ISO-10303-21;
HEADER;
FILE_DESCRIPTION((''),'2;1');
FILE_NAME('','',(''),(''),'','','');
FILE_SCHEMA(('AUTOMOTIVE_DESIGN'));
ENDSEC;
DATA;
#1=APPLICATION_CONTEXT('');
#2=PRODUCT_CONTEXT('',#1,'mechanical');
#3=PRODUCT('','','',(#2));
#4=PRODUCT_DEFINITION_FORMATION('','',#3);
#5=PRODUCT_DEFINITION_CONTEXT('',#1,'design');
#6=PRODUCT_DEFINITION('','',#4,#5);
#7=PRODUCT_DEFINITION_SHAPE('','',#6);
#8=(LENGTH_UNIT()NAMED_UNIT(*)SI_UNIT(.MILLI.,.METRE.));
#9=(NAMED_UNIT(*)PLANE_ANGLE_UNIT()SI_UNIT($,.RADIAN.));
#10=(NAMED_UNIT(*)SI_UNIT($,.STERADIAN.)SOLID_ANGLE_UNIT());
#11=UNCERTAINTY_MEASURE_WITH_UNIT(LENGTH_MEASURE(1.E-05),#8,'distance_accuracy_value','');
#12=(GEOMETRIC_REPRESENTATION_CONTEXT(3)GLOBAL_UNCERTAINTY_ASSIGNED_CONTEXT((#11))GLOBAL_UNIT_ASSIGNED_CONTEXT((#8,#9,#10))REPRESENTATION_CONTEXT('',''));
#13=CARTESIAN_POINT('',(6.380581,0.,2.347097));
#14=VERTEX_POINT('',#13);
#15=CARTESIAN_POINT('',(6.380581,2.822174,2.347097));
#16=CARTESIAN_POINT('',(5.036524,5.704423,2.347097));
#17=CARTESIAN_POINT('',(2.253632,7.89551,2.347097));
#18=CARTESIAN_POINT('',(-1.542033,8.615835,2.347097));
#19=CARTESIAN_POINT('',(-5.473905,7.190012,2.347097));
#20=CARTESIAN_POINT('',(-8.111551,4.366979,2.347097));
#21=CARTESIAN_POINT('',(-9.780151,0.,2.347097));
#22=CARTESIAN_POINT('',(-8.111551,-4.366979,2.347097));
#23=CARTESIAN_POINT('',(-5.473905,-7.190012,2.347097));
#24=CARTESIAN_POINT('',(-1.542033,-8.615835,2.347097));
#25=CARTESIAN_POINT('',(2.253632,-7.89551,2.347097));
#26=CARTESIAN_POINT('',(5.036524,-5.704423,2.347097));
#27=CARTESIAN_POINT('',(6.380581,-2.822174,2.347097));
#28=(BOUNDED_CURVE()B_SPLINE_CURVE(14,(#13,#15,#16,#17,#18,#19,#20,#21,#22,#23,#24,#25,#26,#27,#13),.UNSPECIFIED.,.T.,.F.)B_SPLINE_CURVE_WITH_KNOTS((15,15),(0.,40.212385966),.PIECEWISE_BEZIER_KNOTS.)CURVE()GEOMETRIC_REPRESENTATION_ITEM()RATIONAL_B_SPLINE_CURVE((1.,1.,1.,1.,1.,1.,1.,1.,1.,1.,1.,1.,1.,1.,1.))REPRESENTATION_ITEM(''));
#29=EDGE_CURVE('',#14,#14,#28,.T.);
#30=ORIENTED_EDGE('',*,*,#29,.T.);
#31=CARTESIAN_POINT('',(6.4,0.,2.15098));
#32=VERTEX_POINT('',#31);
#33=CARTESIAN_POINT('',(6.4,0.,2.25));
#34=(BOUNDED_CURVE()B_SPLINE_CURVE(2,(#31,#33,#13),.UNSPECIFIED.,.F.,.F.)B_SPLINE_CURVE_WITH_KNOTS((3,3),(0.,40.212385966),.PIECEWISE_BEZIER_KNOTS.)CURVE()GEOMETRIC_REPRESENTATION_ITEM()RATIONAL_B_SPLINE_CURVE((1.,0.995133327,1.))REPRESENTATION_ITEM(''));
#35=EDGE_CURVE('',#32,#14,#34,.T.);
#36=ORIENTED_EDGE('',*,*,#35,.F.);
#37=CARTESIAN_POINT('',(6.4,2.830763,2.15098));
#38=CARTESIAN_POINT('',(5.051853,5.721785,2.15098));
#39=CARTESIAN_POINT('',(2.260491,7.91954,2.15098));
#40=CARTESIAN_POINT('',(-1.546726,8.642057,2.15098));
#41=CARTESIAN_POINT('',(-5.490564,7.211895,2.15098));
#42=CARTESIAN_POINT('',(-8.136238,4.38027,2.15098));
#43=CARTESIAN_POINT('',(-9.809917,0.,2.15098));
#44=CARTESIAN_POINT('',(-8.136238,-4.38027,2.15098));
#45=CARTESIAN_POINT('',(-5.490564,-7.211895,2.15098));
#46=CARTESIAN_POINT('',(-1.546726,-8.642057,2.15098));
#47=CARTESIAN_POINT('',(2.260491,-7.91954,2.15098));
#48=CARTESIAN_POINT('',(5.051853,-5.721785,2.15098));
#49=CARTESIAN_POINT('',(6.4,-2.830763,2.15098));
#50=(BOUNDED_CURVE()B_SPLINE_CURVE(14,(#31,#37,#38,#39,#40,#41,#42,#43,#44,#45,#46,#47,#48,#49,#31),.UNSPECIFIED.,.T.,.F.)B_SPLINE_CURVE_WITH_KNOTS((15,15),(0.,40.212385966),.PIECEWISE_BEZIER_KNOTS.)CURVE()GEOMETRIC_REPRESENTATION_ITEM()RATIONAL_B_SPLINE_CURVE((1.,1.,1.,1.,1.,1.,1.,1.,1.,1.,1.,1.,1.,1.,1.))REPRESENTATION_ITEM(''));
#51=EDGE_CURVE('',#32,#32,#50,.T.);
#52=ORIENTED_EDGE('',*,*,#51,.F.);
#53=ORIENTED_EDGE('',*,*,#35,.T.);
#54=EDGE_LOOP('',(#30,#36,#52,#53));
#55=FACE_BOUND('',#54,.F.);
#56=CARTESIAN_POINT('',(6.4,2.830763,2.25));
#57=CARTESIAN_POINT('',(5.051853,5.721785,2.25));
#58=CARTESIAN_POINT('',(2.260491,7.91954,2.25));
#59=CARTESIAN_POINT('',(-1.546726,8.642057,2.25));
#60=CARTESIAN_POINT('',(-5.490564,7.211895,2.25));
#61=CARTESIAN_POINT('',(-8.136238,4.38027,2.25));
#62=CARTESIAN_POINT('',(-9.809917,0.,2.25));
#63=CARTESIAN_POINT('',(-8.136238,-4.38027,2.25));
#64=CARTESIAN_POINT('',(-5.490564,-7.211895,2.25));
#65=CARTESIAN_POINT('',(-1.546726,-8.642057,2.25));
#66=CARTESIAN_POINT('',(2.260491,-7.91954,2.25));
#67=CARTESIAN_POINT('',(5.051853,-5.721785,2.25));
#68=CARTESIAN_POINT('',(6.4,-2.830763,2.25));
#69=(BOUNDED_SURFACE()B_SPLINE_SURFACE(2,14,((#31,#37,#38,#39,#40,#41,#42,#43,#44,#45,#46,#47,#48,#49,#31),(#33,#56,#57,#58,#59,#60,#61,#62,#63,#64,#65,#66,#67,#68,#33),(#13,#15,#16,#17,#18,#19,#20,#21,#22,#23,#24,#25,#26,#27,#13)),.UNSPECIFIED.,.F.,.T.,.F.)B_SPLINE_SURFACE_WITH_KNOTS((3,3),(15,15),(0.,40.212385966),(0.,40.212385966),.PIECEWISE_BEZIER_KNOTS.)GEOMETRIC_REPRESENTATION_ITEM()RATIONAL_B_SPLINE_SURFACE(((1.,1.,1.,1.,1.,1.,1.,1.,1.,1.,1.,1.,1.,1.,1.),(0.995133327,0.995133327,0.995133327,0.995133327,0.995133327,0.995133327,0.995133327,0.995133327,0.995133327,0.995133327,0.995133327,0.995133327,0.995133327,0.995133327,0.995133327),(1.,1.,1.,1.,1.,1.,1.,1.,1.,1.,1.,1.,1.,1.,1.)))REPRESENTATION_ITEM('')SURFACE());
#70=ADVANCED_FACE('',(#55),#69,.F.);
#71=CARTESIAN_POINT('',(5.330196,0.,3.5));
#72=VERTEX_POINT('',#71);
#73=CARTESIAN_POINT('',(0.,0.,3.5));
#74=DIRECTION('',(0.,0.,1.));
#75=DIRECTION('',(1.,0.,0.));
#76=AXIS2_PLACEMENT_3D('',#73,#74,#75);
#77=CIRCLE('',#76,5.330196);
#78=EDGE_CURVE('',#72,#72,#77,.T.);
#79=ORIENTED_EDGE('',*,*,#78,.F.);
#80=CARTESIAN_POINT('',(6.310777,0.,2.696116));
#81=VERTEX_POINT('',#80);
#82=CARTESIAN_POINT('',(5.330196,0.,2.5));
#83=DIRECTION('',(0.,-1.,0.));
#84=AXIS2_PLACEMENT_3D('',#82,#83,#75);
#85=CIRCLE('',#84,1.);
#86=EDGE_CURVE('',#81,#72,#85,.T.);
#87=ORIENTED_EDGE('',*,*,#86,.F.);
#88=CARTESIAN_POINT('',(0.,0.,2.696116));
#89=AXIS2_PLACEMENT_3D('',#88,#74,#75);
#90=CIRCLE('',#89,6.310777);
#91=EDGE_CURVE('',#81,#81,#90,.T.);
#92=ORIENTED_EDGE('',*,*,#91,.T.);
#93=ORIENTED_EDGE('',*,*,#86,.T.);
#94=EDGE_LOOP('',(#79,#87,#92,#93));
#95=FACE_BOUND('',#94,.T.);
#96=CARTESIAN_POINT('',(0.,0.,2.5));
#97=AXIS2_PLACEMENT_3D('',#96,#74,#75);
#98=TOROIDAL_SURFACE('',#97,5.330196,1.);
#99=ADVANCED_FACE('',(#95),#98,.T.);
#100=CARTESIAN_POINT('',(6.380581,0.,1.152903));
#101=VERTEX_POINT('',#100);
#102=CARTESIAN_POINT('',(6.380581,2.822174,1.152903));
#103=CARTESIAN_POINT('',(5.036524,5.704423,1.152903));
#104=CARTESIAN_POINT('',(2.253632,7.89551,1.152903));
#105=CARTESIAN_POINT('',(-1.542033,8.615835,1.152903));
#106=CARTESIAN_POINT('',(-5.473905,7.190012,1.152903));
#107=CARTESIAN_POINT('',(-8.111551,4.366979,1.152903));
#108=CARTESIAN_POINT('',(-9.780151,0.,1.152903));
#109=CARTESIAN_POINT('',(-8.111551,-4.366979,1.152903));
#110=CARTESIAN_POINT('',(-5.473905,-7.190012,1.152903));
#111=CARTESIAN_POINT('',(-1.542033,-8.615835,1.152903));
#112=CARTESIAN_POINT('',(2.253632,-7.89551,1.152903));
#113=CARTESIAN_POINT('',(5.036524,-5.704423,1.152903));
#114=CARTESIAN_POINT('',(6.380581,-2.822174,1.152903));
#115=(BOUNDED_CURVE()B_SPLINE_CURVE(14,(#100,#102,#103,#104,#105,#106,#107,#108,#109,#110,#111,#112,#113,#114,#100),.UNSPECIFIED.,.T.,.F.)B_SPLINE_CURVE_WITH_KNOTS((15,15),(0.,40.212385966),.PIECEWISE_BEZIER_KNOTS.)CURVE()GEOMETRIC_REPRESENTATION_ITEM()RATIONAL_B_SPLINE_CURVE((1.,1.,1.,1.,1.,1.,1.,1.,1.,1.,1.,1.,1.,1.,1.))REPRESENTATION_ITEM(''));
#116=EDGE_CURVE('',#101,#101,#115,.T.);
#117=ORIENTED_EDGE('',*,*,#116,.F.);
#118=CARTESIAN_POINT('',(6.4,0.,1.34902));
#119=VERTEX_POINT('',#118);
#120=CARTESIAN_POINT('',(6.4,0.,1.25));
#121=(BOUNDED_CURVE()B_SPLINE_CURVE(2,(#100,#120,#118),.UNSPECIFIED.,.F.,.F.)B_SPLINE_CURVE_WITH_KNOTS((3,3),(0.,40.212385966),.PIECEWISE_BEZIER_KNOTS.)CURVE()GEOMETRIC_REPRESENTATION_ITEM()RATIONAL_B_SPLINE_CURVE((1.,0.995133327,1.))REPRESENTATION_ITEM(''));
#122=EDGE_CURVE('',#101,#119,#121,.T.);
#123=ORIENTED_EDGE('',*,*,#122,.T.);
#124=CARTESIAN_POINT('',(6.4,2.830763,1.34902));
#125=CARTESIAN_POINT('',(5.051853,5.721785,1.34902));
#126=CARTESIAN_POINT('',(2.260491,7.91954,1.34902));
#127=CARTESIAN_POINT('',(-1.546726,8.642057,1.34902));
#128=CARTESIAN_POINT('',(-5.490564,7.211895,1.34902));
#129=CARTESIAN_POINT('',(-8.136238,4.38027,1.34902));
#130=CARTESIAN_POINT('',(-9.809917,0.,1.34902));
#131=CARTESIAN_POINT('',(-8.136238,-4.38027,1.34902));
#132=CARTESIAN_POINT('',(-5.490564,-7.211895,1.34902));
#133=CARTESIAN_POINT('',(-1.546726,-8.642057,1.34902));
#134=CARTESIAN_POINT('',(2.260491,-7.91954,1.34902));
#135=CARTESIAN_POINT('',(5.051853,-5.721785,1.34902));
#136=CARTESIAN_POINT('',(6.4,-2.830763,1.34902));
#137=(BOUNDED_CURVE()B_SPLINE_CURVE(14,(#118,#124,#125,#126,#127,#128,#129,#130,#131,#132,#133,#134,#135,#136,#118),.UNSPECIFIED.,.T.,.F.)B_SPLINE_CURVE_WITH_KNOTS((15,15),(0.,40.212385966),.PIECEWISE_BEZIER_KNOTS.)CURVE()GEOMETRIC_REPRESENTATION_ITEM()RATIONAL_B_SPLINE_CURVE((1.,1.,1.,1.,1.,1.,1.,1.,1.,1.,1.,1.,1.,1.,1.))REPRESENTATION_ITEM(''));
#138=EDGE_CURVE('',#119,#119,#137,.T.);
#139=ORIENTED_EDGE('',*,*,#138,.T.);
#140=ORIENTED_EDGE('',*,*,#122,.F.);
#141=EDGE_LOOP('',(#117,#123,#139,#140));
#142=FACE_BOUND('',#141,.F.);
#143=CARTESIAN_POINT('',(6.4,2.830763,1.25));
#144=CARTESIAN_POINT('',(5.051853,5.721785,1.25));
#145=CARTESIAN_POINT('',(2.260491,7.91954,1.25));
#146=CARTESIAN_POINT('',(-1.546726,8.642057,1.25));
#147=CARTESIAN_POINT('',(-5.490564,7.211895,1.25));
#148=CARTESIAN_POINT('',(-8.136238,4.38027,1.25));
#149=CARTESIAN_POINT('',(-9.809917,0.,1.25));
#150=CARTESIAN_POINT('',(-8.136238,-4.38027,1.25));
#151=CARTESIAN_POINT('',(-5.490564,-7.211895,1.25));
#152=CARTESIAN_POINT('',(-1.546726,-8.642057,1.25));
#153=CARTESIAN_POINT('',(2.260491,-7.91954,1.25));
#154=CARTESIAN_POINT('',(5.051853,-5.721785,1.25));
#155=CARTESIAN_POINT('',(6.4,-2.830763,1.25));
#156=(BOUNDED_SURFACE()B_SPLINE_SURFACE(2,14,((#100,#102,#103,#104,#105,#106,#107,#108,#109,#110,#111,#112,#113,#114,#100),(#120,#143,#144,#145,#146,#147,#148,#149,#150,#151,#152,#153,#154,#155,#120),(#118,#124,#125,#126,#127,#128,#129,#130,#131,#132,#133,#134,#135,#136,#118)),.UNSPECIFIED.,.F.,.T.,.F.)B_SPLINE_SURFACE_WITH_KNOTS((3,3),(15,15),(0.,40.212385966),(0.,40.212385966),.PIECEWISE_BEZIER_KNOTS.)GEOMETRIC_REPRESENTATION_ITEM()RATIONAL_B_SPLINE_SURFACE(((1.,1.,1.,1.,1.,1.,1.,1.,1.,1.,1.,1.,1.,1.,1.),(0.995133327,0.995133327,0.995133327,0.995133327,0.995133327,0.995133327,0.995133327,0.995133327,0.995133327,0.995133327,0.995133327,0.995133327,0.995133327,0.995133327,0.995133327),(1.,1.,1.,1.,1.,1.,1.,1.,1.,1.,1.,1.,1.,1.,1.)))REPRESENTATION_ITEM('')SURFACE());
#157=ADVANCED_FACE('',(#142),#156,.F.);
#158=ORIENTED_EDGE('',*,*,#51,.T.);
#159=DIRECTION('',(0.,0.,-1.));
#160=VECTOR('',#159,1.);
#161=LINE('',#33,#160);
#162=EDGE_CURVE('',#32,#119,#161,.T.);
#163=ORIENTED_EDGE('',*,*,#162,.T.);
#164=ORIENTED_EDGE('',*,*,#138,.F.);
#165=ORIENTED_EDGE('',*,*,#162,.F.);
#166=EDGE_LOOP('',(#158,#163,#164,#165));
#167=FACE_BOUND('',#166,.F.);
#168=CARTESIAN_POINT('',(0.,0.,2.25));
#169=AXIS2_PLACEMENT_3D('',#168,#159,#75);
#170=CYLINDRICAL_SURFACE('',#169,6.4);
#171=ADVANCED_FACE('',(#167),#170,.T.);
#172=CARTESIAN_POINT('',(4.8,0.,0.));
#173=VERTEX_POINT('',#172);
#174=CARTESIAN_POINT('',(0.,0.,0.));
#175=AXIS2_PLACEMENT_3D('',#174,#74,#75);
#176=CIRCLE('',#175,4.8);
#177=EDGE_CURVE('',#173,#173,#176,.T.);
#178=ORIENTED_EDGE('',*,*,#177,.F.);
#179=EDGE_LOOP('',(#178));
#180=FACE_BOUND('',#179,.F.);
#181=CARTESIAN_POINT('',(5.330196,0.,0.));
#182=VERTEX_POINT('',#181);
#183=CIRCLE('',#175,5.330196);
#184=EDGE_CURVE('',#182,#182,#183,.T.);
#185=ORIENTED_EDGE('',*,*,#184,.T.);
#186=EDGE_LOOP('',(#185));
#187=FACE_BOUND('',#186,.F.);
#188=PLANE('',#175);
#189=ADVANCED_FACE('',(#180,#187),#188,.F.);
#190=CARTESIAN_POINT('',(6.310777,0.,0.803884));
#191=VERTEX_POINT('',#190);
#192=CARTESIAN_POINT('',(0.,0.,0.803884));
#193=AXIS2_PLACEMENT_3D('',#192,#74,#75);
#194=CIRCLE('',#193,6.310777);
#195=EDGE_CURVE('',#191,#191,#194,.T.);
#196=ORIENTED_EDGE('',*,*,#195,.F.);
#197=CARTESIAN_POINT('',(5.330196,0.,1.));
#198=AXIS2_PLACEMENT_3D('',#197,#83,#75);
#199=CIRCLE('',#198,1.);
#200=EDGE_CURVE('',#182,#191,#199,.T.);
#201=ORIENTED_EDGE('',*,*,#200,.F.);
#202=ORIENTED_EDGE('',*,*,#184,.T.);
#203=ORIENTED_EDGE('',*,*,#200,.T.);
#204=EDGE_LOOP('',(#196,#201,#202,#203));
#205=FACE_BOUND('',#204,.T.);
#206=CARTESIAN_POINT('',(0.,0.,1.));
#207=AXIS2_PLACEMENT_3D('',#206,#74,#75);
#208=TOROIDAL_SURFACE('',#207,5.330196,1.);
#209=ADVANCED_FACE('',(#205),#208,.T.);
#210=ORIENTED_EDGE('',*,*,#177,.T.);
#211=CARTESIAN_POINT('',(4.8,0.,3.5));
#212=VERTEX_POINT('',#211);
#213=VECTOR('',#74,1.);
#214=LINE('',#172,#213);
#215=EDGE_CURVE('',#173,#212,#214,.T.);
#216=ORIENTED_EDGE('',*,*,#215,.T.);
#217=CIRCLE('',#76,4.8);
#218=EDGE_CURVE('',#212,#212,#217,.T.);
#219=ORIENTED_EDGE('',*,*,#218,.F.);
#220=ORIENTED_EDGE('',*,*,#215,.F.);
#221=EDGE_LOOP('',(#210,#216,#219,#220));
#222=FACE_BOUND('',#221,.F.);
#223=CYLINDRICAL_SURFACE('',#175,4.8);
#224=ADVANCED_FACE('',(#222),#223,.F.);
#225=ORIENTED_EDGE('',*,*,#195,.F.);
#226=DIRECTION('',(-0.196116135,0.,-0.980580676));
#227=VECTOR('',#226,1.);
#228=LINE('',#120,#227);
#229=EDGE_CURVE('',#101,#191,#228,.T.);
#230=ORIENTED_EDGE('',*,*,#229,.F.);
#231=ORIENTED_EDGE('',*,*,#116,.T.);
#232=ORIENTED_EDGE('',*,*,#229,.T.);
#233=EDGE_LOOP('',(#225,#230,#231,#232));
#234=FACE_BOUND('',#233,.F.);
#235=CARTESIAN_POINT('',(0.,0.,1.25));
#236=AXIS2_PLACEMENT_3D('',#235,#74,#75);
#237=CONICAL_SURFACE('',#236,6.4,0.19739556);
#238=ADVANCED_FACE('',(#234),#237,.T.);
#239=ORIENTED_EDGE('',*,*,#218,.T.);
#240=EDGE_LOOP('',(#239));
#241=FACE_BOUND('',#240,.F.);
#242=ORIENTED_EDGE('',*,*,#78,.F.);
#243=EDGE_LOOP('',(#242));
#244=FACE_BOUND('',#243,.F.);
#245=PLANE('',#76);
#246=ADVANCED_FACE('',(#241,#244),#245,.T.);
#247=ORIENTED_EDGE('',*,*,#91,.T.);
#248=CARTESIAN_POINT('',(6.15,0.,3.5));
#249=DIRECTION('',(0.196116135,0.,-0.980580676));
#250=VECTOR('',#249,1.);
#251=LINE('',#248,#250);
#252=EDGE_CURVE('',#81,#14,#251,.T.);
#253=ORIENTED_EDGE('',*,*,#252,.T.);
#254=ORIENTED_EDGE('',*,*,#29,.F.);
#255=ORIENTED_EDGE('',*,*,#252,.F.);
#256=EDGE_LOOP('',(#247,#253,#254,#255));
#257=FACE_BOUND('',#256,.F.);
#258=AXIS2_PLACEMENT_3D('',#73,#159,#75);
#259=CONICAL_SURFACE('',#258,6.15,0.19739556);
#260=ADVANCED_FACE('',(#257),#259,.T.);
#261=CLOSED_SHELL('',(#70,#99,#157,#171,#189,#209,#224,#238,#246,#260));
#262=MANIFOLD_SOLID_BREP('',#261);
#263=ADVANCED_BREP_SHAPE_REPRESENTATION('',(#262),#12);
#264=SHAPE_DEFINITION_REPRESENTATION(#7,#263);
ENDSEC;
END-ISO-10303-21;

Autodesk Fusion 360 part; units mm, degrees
sketch "スケッチ1" plane through (0, 0, 0) normal (0, 1, 0) x (1, 0, 0)
  line L0 (0, 0) -> (4.8, 0)
  line L1 (4.8, 0) -> (4.8, -3.5)
  line L2 (4.8, -3.5) -> (6.15, -3.5)
  line L3 (6.15, -3.5) -> (6.4, -2.25)
  line L4 (6.4, -2.25) -> (6.4, -1.25)
  line L5 (6.4, -1.25) -> (6.15, 0)
  line L6 (6.15, 0) -> (4.8, 0)
  dimension "d1" = 3.5
  dimension "d3" = 4.8
  dimension "d4" = 1
  dimension "d5" = 0.25
  dimension "d8" = 6.4
revolve "回転1" add sketch "スケッチ1" angle 360 about axis through (0, 0, 1.75) along (0, 0, 1)
fillet "フィレット1" radius 1 4 edges at (-5.7338, -2.2239, 0) (-5.9669, -2.3143, 1.25) (-5.9669, -2.3143, 2.25) (-5.7338, -2.2239, 3.5)
equation "d8 = ( 12.8 / 2 ) * 1 mm"
